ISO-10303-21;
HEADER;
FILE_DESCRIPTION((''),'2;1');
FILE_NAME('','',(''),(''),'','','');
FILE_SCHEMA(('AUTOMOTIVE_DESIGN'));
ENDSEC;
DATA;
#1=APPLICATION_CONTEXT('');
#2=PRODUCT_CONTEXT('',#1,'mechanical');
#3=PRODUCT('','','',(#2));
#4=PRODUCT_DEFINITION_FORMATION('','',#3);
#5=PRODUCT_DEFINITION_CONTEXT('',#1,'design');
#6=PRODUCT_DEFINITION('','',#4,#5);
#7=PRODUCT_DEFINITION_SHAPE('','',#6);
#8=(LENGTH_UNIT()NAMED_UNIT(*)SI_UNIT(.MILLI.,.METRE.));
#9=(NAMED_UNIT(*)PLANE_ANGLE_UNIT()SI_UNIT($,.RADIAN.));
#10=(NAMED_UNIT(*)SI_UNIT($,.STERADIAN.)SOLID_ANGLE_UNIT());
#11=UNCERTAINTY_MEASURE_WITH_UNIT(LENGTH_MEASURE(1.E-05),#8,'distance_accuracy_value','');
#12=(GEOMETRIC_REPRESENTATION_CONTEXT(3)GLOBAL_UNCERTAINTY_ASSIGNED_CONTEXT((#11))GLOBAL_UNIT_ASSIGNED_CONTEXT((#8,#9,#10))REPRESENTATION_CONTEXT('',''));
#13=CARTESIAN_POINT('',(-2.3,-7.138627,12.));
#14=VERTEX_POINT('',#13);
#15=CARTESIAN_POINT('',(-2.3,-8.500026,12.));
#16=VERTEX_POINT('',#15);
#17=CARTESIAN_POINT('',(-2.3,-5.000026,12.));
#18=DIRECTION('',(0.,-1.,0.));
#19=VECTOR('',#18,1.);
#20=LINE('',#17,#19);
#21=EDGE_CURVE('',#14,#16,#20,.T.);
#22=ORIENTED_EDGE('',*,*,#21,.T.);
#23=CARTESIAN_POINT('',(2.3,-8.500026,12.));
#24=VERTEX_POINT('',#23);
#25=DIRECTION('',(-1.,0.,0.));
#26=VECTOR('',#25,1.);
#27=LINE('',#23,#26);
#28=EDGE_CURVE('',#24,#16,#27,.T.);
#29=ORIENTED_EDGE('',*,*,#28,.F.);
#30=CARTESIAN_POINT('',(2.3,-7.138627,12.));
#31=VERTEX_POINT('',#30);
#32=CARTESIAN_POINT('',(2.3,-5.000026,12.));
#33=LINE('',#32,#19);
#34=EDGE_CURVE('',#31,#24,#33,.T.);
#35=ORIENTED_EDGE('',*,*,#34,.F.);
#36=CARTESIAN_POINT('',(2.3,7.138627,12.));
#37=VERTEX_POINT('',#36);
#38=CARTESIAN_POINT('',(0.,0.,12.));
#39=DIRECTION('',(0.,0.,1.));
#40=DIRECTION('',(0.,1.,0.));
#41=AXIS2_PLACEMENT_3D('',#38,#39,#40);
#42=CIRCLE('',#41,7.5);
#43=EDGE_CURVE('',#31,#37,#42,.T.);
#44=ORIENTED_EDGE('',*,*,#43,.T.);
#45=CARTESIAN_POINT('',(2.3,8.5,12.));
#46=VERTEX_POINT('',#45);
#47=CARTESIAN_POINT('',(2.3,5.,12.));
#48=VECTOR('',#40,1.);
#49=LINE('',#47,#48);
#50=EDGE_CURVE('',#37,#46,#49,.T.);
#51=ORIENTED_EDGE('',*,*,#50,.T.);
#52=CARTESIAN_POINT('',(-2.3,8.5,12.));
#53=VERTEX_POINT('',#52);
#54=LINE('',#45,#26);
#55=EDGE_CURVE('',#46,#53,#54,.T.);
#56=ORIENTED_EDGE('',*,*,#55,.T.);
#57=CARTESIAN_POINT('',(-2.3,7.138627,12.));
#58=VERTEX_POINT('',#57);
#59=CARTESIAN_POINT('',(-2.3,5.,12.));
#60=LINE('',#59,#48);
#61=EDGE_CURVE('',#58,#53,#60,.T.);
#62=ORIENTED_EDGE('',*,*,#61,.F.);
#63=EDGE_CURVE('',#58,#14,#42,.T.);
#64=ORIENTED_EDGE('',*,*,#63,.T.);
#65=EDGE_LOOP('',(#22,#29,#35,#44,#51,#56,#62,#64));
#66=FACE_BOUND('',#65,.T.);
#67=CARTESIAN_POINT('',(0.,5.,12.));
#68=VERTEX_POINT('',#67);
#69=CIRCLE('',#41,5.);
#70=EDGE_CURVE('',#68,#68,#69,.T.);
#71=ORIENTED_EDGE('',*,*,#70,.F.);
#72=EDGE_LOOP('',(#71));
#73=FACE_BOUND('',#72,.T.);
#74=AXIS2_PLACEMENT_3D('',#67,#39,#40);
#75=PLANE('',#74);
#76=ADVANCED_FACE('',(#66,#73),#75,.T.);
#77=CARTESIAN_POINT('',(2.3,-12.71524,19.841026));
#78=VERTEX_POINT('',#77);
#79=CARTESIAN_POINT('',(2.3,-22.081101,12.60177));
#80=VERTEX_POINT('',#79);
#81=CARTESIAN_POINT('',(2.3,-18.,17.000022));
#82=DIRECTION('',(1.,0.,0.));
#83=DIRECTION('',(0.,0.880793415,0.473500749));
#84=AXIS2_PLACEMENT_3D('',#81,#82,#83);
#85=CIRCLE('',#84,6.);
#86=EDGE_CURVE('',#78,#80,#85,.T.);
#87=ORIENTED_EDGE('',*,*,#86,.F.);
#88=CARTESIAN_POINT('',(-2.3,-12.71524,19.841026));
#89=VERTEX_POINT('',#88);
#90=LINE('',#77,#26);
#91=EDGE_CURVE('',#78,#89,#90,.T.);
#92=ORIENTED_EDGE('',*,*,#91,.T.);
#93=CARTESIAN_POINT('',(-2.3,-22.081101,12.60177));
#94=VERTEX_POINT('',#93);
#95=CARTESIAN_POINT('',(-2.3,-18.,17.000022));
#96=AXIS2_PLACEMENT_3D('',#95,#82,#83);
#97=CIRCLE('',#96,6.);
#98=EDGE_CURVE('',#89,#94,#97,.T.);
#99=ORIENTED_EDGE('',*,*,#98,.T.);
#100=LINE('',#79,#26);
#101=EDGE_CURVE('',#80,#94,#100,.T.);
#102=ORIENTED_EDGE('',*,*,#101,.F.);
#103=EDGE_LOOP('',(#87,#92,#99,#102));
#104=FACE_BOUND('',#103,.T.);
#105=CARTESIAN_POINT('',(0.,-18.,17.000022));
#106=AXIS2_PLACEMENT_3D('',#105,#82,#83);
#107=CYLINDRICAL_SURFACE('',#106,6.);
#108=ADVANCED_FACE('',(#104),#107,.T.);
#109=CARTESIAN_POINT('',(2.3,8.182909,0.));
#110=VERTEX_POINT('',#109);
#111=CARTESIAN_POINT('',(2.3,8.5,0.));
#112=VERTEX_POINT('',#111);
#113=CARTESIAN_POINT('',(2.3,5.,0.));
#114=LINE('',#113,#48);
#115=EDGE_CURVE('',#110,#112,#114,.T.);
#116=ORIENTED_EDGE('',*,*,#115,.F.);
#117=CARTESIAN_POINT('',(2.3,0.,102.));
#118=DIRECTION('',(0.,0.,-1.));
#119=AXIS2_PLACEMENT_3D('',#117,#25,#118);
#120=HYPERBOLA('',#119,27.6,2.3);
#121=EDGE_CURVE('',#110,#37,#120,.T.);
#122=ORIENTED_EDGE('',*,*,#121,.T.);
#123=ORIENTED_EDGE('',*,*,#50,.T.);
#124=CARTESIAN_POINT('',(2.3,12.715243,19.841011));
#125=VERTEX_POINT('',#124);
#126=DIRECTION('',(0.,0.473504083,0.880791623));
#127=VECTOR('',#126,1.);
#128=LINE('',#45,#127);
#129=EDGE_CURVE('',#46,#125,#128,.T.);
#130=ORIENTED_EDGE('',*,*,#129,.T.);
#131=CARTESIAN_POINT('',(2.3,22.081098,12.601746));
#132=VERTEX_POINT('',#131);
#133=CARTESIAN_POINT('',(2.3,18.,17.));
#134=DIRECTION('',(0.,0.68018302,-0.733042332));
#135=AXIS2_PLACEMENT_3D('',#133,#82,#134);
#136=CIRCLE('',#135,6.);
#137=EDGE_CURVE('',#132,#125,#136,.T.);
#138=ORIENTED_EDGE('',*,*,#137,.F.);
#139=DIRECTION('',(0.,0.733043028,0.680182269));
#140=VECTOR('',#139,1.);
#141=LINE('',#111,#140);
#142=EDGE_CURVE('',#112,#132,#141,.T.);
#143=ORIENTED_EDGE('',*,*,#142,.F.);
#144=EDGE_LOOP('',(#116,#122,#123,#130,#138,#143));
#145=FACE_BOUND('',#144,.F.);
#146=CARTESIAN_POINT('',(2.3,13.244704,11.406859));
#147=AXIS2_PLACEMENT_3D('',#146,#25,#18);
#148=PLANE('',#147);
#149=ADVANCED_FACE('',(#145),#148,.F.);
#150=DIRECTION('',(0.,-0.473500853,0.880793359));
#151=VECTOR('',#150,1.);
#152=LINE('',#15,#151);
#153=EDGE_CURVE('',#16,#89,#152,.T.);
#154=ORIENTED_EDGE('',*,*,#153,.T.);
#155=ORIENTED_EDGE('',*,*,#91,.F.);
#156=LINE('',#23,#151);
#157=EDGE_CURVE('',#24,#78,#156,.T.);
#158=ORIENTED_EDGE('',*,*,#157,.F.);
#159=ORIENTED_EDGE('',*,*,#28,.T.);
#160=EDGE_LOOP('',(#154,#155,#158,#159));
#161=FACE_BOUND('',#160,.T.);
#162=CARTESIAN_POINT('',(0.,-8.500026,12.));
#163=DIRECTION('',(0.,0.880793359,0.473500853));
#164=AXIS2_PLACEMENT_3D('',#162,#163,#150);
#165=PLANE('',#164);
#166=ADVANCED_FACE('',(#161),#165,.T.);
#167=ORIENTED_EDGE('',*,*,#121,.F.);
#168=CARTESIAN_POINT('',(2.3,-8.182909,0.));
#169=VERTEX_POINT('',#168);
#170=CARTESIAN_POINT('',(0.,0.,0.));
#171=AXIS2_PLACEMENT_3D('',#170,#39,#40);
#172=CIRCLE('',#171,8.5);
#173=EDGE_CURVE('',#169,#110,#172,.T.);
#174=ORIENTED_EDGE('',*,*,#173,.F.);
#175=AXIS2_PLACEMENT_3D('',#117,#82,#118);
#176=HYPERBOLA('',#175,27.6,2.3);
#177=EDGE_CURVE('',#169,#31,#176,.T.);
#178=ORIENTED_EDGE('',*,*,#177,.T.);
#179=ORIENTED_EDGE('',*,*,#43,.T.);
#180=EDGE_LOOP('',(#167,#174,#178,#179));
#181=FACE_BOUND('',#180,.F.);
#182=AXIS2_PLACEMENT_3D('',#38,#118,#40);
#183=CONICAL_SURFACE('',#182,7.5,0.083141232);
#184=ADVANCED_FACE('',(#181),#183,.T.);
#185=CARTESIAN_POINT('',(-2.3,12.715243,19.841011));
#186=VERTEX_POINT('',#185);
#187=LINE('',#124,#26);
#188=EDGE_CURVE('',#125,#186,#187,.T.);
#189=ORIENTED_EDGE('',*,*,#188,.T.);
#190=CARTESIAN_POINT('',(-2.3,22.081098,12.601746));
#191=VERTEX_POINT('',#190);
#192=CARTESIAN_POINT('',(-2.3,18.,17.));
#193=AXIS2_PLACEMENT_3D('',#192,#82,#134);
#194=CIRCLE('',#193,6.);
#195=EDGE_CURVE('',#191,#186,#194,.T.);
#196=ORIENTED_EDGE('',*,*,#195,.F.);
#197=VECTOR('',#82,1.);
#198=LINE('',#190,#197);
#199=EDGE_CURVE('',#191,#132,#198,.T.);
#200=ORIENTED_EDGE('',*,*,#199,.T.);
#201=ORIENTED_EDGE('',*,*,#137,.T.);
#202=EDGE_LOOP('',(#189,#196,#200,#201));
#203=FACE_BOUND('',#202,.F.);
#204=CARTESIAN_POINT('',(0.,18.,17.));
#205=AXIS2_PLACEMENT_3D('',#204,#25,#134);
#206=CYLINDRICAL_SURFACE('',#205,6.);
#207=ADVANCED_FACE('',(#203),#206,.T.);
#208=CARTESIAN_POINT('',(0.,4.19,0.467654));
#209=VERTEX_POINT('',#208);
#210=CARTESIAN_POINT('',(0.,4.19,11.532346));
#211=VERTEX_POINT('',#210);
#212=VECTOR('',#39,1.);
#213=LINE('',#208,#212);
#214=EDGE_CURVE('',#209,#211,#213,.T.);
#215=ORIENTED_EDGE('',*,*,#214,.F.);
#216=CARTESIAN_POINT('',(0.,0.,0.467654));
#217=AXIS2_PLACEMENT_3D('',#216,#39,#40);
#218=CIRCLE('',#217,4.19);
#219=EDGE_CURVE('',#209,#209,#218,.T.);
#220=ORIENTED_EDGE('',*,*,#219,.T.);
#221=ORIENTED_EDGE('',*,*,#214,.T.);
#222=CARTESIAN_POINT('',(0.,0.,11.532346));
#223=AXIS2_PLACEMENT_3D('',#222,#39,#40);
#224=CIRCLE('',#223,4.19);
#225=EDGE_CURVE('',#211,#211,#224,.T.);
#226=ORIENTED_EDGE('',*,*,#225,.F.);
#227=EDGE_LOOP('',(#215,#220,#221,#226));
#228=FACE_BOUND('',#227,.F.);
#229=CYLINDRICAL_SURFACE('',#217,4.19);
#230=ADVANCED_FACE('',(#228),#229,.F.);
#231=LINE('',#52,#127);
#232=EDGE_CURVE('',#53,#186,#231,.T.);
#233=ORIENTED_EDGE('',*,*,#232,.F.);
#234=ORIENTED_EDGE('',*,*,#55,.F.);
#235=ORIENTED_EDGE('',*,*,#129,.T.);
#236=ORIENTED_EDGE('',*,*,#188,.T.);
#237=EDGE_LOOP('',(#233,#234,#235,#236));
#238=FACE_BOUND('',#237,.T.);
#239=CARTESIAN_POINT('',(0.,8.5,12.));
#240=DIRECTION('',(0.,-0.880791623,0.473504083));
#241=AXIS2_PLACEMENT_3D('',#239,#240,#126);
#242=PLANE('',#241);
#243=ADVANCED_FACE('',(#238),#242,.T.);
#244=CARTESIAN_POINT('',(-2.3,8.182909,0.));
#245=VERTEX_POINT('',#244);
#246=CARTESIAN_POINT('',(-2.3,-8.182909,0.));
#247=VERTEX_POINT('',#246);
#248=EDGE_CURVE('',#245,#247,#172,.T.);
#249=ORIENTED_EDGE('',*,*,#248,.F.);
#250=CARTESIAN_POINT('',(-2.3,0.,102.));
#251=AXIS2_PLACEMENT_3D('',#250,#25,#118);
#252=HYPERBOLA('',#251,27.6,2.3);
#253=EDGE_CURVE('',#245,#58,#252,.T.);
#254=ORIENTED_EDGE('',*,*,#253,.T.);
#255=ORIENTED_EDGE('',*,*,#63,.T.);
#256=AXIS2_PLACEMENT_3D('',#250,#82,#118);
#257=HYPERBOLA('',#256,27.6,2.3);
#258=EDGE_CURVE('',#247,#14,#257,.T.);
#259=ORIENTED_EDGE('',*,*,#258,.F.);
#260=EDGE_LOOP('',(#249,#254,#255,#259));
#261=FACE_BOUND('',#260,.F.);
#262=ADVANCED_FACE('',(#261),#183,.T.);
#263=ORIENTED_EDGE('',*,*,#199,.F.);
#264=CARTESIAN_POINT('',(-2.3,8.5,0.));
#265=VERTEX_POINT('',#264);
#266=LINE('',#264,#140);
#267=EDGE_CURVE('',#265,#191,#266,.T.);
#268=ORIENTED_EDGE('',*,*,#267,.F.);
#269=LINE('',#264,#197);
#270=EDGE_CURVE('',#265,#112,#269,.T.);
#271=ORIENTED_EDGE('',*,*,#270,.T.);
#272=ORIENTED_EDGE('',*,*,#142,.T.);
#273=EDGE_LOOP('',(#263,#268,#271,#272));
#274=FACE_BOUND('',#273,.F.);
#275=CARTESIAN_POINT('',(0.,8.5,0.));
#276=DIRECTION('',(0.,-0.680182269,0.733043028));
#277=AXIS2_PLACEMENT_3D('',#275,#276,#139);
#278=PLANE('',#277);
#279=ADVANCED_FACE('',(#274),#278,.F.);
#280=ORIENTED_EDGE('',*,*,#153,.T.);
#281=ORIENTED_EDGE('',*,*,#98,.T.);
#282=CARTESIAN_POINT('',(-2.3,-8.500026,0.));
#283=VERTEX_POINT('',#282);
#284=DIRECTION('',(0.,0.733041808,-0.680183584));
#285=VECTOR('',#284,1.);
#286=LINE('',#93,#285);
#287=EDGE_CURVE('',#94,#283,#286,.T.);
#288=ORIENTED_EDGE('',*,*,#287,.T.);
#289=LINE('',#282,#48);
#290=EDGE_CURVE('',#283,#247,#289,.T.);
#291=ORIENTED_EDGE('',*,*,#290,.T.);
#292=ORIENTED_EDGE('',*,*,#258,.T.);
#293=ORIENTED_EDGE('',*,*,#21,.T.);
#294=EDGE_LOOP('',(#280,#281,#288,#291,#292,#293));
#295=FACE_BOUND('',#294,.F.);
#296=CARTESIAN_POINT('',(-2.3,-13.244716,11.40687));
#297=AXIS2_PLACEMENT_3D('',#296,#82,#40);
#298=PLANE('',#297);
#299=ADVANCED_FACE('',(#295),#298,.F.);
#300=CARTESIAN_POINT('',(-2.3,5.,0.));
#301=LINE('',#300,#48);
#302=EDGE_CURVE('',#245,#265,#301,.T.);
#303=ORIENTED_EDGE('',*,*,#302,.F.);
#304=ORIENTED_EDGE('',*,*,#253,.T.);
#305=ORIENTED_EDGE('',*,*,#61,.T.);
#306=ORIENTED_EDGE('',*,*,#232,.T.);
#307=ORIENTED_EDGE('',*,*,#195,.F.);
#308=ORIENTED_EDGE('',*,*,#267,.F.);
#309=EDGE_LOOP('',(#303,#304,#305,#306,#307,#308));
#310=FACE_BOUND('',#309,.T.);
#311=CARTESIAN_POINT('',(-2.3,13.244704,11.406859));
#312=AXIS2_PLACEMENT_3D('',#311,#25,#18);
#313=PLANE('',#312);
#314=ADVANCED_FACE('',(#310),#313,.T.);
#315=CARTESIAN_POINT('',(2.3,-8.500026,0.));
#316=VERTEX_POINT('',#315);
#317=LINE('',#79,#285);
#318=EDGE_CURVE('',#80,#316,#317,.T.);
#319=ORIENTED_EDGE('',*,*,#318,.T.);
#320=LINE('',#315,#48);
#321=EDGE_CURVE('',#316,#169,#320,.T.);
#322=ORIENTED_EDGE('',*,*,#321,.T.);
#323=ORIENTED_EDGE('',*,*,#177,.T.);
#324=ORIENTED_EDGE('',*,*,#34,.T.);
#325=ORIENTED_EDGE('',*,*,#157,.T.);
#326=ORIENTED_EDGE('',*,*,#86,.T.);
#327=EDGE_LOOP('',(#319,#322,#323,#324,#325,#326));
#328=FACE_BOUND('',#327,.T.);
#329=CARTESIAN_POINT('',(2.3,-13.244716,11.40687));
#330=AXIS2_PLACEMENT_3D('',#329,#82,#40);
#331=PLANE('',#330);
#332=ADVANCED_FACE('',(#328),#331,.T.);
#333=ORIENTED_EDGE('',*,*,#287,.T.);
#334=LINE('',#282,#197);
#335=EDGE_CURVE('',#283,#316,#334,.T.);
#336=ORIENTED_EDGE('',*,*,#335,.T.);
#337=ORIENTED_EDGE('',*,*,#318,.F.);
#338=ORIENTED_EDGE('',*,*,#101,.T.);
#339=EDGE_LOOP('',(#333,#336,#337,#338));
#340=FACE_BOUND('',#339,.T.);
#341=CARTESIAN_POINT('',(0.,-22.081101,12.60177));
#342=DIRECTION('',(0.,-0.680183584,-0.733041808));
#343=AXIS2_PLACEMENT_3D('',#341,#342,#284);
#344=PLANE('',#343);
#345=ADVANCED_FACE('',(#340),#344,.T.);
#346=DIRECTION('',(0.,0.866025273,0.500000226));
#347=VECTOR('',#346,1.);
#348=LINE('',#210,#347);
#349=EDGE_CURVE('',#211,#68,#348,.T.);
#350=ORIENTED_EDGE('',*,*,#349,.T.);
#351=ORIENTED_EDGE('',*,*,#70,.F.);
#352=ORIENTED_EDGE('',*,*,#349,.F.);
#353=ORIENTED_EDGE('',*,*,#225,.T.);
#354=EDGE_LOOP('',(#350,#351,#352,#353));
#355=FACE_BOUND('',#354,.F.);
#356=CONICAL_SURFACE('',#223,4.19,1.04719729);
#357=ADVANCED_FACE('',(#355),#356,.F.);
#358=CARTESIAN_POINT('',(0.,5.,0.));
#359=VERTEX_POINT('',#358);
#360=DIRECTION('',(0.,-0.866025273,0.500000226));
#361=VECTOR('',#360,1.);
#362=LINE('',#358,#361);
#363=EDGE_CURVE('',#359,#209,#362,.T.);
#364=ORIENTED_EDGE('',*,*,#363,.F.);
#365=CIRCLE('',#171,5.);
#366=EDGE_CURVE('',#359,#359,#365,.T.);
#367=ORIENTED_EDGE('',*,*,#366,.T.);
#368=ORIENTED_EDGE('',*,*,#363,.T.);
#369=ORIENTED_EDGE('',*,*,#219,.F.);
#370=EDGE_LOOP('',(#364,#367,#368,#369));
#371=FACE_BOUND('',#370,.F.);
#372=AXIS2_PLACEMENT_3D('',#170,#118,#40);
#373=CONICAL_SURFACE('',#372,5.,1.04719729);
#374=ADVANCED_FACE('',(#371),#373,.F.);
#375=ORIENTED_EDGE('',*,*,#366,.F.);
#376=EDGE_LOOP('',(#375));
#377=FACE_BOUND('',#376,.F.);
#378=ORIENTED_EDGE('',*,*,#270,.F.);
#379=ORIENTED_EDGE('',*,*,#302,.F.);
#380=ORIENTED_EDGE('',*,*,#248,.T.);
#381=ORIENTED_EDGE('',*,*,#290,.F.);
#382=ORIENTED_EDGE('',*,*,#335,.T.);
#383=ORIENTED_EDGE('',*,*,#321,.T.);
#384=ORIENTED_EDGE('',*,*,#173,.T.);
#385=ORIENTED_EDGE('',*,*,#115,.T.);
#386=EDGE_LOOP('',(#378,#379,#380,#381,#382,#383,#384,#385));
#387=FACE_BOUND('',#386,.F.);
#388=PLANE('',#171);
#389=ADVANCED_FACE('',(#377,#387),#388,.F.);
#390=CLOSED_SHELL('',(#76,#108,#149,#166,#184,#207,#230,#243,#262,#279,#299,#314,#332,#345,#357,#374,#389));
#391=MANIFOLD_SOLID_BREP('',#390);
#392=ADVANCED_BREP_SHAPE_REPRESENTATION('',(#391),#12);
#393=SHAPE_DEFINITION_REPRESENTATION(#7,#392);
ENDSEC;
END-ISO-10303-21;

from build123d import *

# Parameters (mm, degrees)
PAD_DEPTH = 2.3


with BuildPart() as pad:
    # Sketch001 → Pad (new body, symmetric)
    with BuildSketch(Plane.YZ):
        with BuildLine():
            Line((5, 0), (5, 12))
            Line((5, 12), (8.5, 12))
            Line((8.5, 12), (12.715243, 19.841011))
            ThreePointArc((22.081098, 12.601746), (21.669324, 21.747216), (12.715243, 19.841011))
            Line((8.5, 0), (22.081098, 12.601746))
            Line((5, 0), (8.5, 0))
        make_face()
        with BuildLine():
            Line((-22.081101, 12.60177), (-8.500026, 0))
            Line((-8.500026, 0), (-5.000026, 0))
            Line((-5.000026, 0), (-5.000026, 12))
            Line((-5.000026, 12), (-8.500026, 12))
            Line((-8.500026, 12), (-12.71524, 19.841026))
            ThreePointArc((-12.71524, 19.841026), (-21.66932, 21.747241), (-22.081101, 12.60177))
        make_face()
    extrude(amount=PAD_DEPTH, both=True)


with BuildPart() as fl_gelmutter_din_315_m10:
    # Sketch → Revolution (revolve)
    with BuildSketch(Plane.YZ):
        Polygon((5, 0), (4.19, 0.467654), (4.19, 11.532346), (5, 12), (7.5, 12), (8.5, 0), align=None)
    revolve(axis=Axis((0, 0, 0), (0, 0, 1)))

    # Fusion: union Pad
    add(pad.part)


solid = fl_gelmutter_din_315_m10.part
